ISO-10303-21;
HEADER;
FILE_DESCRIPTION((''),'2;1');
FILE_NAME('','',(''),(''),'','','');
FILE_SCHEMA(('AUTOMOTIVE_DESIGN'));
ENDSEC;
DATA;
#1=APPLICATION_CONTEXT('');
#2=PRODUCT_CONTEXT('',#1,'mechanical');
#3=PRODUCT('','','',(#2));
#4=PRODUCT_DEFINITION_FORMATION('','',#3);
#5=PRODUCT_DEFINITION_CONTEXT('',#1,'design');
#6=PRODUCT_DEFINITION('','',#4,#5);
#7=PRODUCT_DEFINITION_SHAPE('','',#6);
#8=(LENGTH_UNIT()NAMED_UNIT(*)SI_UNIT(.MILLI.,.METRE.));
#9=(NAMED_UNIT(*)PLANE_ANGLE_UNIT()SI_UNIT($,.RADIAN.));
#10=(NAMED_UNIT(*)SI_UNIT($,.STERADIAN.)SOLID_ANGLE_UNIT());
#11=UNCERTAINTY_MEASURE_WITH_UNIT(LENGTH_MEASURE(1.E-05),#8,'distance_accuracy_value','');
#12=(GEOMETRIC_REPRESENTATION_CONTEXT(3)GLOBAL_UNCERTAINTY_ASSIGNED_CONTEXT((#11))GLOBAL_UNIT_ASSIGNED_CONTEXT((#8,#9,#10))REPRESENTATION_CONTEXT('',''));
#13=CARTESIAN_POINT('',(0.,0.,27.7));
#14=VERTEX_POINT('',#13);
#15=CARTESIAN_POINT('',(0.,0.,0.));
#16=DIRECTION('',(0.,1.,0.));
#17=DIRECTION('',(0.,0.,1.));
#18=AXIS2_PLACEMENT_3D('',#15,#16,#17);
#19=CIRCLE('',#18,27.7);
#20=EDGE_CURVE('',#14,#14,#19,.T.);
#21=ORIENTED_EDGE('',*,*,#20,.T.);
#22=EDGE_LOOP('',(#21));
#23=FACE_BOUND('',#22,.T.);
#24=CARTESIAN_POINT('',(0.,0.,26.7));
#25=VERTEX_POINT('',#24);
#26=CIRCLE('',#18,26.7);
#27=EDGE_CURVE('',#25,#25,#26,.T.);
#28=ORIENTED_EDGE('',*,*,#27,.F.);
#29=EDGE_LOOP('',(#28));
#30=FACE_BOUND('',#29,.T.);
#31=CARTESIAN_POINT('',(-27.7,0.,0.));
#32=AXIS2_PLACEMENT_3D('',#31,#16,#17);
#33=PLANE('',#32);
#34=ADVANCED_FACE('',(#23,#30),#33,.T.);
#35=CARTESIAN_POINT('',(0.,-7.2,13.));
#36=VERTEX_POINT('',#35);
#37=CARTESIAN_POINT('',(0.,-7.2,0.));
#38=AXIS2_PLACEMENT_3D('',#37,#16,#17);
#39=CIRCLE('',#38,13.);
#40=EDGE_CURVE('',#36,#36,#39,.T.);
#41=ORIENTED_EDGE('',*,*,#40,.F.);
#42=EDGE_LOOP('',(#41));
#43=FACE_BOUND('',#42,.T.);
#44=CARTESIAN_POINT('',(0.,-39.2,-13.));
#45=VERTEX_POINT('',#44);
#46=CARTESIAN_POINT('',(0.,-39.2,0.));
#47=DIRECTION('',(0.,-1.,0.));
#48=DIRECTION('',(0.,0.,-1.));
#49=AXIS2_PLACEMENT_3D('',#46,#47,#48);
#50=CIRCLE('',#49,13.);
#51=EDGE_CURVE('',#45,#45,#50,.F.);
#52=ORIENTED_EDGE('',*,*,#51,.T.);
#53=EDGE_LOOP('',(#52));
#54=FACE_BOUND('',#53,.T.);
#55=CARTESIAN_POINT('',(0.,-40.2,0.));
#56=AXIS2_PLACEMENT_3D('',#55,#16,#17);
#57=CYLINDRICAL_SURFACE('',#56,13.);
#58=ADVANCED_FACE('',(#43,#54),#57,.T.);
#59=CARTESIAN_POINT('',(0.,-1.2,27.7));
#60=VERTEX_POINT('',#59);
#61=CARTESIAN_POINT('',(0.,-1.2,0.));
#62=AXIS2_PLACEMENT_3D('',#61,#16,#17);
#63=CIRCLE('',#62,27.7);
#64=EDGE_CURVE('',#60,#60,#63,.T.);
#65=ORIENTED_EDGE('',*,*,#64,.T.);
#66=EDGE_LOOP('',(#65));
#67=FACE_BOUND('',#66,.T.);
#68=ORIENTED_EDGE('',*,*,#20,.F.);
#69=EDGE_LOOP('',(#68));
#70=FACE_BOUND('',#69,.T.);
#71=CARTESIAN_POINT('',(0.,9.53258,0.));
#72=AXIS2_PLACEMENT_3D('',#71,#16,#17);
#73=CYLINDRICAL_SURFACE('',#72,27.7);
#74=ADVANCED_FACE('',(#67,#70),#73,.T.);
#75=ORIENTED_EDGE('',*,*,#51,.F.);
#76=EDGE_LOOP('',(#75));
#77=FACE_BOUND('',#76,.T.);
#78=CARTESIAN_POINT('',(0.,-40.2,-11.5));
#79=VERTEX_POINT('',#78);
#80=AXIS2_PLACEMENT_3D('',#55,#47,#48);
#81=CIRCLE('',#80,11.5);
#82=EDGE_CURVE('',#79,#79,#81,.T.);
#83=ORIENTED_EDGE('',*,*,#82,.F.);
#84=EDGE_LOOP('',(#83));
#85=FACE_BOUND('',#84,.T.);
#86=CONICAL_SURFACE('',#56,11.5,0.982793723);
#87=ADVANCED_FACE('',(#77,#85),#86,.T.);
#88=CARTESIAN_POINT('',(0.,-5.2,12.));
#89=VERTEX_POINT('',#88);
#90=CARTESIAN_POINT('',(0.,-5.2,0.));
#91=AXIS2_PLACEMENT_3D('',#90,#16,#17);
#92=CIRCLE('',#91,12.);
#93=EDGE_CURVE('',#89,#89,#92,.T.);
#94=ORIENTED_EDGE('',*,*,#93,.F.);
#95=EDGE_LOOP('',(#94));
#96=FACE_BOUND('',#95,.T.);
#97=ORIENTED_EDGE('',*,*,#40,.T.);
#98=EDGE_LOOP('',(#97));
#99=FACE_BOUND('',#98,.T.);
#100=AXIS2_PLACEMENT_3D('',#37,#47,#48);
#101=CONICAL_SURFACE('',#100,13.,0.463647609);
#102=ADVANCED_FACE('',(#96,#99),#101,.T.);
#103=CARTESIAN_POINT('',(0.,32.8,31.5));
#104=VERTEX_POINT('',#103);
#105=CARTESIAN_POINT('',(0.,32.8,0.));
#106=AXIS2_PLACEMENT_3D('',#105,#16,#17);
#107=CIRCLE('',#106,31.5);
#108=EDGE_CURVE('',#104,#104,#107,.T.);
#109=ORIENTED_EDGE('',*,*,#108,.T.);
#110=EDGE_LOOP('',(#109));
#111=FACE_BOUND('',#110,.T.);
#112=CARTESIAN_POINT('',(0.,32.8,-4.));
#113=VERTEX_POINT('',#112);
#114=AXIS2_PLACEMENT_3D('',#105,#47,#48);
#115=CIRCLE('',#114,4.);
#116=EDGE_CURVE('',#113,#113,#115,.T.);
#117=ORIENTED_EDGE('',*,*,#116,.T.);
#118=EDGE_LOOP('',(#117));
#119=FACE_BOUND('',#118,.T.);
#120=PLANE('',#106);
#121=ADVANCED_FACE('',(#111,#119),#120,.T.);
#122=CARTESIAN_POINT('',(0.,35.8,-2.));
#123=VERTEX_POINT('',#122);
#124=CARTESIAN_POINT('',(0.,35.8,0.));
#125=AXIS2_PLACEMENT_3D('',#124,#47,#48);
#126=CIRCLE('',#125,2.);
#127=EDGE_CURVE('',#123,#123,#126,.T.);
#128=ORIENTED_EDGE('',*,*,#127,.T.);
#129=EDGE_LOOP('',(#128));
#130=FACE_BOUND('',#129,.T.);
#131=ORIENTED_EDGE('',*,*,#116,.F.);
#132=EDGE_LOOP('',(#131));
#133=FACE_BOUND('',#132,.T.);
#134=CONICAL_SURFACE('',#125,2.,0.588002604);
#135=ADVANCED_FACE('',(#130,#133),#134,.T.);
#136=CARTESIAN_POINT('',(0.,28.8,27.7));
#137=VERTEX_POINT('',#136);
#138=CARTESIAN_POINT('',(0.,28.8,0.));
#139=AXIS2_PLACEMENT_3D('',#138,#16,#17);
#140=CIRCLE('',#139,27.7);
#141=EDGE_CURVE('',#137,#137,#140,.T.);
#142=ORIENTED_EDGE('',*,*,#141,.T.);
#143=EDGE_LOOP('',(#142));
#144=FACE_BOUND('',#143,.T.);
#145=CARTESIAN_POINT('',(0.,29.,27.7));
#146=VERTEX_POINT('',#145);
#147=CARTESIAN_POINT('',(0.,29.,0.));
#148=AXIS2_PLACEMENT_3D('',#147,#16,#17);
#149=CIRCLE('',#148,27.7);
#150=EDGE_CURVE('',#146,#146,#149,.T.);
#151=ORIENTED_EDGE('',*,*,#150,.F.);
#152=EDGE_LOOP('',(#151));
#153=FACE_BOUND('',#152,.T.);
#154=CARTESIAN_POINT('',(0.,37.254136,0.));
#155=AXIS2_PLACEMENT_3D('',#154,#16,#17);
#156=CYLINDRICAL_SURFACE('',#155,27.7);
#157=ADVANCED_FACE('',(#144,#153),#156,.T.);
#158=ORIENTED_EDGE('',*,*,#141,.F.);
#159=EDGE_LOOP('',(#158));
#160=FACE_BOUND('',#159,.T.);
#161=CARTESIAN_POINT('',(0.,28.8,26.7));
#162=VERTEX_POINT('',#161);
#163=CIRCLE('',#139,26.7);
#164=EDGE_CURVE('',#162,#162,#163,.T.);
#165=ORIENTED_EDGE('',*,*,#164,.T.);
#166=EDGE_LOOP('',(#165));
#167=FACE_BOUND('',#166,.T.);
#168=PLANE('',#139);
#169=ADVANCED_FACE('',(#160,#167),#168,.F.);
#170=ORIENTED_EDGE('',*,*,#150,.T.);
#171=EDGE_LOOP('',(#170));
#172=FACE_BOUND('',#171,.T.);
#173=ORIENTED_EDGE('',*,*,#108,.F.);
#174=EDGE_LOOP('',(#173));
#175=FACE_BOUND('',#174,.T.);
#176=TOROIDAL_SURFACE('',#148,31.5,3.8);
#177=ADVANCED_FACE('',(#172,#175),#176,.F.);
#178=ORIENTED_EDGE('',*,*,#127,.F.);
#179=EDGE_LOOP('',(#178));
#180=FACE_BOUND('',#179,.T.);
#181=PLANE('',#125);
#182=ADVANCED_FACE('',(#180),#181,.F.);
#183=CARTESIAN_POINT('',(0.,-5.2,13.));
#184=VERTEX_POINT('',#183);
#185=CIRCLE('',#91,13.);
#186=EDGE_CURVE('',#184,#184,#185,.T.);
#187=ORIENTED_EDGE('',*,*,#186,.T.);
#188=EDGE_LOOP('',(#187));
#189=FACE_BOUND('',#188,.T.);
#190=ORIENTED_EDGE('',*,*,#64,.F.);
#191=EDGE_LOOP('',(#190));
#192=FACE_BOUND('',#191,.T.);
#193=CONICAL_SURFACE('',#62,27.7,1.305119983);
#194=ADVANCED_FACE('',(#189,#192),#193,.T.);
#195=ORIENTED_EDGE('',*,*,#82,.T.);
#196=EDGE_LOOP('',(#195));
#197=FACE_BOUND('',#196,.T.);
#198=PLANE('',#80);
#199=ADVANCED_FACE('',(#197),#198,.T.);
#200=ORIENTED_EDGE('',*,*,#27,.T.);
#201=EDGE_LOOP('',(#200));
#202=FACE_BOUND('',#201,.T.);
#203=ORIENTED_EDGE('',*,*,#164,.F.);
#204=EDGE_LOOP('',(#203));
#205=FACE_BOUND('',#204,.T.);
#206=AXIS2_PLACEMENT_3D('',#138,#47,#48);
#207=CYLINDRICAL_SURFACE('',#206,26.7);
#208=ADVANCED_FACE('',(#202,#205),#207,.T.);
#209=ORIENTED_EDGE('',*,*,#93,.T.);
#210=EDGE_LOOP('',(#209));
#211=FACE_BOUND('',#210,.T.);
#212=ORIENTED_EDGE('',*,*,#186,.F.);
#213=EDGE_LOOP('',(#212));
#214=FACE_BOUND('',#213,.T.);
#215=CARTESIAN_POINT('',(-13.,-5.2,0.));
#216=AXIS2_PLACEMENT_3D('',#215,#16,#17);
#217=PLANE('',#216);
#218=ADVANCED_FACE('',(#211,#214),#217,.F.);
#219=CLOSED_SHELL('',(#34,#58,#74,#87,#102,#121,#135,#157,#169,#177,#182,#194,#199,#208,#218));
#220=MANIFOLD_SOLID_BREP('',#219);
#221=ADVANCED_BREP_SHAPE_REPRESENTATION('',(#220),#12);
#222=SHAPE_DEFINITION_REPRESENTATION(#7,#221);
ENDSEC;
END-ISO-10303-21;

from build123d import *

# Parameters (mm, degrees)
SKETCH_1_R      = 26.7
EXTRUDE_1_DEPTH = 28.8
SKETCH_4_R      = 13
EXTRUDE_2_DEPTH = 39
CHAMFER_1_SIZE  = 1
CHAMFER_1_SIZE2 = 1.5


with BuildPart() as part:
    # 草图1 → 凸台-拉伸1 (new body)
    with BuildSketch(Plane(origin=(0, 0, 0), x_dir=(1, 0, 0), z_dir=(0, 1, 0))):
        Circle(SKETCH_1_R)
    extrude(amount=EXTRUDE_1_DEPTH)

    # 草图2 → 旋转1 (revolve)
    with BuildSketch(Plane.XY):
        Polygon((-27.7, 28.8), (-26.7, 28.8), (0, 28.8), (0, 29), (-27.7, 29), align=None)
    revolve(axis=Axis((0, 37.25413602, 0), (0, -1, 0)))

    # 草图2<3> → 旋转2 (revolve)
    with BuildSketch(Plane.XY):
        with BuildLine():
            ThreePointArc((-31.5, 32.8), (-28.812994231, 31.687005769), (-27.7, 29))
            Line((-27.7, 29), (0, 29))
            Line((0, 29), (0, 32.8))
            Line((0, 32.8), (-31.5, 32.8))
        make_face()
    revolve(axis=Axis((0, 37.25413602, 0), (0, -1, 0)))

    # 草图3 → 旋转3 (revolve)
    with BuildSketch(Plane.XY):
        Polygon((-27.7, 0), (-26.7, 0), (0, 0), (0, -1.2), (-27.7, -1.2), align=None)
    revolve(axis=Axis((0, 9.532579507, 0), (0, -1, 0)))

    # 草图4 → 凸台-拉伸2 (add)
    with BuildSketch(Plane.XZ.offset(1.2)):
        Circle(SKETCH_4_R)
    extrude(amount=EXTRUDE_2_DEPTH)

    # 倒角1
    chamfer_1_edges = [part.edges().sort_by_distance(p)[0] for p in [
        (-13, -40.2, 0),
    ]]
    chamfer_1_side = [part.faces().sort_by_distance(p)[0] for p in [
        (-13, -20.7, 0),
    ]]
    chamfer(chamfer_1_edges, length=CHAMFER_1_SIZE, length2=CHAMFER_1_SIZE2, reference=chamfer_1_side[0])

    # 草图6 → 旋转4 (revolve)
    with BuildSketch(Plane.XY):
        Polygon((-13, -1.2), (-13, -5.2), (-27.7, -1.2), align=None)
    revolve(axis=Axis((0, 5.765222619, 0), (0, -1, 0)))

    # 草图7 → 切除-旋转1 (revolve, cut)
    with BuildSketch(Plane.XY):
        Polygon((-13, -5.2), (-12, -5.2), (-13, -7.2), align=None)
    revolve(axis=Axis((0, -1.925824923, 0), (0, -1, 0)), mode=Mode.SUBTRACT)

    # 草图8 → 旋转5 (revolve)
    with BuildSketch(Plane.XY):
        Polygon((0, 32.8), (0, 35.8), (-2, 35.8), (-4, 32.8), align=None)
    revolve(axis=Axis((0, 18.882882331, 0), (0, 1, 0)))


solid = part.part
